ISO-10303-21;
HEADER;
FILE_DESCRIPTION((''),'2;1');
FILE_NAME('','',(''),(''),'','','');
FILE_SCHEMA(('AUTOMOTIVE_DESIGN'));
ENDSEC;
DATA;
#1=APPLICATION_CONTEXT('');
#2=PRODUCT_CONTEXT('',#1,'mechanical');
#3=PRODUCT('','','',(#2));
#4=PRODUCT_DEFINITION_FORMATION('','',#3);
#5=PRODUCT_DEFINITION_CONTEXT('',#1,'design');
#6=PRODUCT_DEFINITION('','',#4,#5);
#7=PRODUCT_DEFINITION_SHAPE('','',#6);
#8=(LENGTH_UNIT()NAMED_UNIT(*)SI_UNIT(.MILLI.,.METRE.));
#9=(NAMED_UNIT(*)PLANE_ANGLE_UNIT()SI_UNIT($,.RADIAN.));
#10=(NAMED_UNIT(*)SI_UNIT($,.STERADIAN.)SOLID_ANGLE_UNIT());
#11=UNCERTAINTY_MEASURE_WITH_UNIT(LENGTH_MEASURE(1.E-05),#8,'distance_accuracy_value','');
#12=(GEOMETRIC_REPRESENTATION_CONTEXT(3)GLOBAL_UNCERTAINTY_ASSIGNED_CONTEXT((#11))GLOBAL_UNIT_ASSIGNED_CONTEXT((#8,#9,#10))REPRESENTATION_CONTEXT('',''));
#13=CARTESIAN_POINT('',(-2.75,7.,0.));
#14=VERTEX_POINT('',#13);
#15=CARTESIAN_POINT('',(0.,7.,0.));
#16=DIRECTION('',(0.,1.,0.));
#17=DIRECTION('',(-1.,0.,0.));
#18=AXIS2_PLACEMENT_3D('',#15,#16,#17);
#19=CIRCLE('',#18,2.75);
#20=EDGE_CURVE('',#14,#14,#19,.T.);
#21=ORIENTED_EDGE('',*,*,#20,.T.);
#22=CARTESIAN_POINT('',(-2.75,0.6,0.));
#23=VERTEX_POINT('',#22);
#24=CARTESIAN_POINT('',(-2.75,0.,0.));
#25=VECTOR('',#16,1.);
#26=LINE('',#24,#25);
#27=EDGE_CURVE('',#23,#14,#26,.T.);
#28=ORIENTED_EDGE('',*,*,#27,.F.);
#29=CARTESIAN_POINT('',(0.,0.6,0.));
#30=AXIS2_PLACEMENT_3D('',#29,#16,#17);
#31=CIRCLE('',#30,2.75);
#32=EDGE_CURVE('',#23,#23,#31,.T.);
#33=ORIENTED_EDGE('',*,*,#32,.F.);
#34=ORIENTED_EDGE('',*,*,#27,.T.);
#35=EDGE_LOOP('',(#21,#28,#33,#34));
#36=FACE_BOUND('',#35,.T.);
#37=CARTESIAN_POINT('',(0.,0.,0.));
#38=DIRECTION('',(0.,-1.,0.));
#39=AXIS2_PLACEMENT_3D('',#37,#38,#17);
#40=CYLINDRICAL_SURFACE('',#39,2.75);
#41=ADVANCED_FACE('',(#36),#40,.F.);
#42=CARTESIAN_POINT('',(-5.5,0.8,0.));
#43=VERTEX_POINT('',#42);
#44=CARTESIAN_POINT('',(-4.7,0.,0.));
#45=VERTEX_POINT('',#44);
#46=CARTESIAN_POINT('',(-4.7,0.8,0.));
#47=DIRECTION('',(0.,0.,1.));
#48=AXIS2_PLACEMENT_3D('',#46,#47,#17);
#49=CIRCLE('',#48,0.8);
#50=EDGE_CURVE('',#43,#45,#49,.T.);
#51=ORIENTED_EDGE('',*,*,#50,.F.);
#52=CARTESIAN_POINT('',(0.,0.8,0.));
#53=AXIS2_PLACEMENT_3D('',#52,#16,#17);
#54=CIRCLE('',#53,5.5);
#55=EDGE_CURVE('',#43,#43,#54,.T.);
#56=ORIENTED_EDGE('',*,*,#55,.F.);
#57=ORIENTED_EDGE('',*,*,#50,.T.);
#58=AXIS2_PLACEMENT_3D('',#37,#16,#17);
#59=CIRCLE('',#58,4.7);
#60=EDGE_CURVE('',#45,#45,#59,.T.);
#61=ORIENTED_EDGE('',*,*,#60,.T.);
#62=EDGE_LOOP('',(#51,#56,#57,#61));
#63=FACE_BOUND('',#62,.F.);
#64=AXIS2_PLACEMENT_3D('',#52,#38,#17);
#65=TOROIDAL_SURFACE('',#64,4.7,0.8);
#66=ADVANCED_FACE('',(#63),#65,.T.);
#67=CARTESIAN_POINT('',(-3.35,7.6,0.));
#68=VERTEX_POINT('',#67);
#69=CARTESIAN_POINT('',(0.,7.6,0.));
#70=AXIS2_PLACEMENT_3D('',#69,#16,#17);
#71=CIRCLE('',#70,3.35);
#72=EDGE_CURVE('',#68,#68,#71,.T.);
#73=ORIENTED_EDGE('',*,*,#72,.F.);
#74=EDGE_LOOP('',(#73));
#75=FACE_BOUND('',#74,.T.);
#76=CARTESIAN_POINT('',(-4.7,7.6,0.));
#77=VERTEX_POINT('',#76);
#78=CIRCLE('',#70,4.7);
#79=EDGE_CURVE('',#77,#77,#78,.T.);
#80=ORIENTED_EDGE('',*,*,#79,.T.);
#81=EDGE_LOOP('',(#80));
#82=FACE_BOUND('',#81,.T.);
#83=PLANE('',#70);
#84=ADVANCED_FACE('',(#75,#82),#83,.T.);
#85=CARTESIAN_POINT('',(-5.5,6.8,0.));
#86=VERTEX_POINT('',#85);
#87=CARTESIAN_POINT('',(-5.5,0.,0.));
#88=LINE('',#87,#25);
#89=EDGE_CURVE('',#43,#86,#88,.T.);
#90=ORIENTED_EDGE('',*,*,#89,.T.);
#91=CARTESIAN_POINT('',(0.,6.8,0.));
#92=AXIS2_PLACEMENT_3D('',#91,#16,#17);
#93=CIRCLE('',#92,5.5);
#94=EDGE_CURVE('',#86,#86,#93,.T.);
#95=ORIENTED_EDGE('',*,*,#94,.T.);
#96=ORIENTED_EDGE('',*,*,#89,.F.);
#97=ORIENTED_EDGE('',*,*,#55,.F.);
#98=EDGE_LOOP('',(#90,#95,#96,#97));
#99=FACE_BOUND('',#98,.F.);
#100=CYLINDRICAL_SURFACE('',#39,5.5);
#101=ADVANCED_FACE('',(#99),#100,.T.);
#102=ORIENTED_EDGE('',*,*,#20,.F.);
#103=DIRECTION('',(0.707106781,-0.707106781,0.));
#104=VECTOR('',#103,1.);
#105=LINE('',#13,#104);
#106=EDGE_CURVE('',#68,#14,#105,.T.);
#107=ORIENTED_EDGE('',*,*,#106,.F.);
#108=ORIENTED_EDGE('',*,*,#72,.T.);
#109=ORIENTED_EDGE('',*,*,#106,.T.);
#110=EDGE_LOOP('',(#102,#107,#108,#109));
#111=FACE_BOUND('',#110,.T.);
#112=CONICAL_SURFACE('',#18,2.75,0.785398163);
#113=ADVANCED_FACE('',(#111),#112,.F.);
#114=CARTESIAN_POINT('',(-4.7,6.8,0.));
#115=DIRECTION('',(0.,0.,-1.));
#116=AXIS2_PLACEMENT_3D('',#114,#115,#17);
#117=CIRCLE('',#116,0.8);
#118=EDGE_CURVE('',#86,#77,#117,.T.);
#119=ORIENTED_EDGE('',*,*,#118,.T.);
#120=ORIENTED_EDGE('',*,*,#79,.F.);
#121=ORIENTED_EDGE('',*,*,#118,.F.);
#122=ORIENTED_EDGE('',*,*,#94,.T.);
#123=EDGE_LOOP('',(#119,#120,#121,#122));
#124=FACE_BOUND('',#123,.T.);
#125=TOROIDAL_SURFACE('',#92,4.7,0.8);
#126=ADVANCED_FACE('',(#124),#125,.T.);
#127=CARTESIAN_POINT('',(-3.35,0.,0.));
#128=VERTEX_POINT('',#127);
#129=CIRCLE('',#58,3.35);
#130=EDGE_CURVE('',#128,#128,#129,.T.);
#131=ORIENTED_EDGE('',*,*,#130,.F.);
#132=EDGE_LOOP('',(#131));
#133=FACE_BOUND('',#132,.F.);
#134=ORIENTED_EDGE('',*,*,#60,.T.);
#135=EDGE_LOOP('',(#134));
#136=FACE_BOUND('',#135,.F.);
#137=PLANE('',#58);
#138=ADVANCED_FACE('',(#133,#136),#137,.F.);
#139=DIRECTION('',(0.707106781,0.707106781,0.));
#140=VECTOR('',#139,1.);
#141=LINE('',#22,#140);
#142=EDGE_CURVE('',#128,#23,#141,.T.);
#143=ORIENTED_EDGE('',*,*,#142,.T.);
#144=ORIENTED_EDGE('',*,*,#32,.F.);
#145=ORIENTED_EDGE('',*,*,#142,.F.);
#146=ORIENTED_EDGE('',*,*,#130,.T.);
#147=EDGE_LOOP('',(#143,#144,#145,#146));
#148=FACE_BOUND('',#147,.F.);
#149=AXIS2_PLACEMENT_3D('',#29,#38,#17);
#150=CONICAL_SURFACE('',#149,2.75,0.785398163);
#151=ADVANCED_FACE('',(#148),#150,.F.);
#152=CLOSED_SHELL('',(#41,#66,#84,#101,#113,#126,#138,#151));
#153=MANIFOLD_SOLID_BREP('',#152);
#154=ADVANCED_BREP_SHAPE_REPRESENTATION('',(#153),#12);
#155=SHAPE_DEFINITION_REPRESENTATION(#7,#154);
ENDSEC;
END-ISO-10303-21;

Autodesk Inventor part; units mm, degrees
ref_plane "YZ Plane" through (0, 0, 0) normal (1, 0, 0) x (0, 1, 0)
ref_plane "XZ Plane" through (0, 0, 0) normal (0, 1, 0) x (-1, 0, 0)
ref_plane "XY Plane" through (0, 0, 0) normal (0, 0, 1) x (1, 0, 0)
sketch "Эскиз1" plane through (0, 0, 0) normal (0, 1, 0) x (-1, 0, 0)
  circle A0 centre (0, 0) radius 2.75
  circle A1 centre (0, 0) radius 5.5
  dimension "d0" = 5.5
  dimension "d1" = 11
extrude "Выдавливание1" add sketch "Эскиз1" along normal blind 7.6
fillet "Сопряжение1" radius 0.8 2 edges at (5.5, 7.6, 0) (5.5, 0, 0)
chamfer "Фаска1" distance 0.6 angle 45 2 edges at (2.75, 7.6, 0) (2.75, 0, 0)
properties part number "prostavka_7,6"
